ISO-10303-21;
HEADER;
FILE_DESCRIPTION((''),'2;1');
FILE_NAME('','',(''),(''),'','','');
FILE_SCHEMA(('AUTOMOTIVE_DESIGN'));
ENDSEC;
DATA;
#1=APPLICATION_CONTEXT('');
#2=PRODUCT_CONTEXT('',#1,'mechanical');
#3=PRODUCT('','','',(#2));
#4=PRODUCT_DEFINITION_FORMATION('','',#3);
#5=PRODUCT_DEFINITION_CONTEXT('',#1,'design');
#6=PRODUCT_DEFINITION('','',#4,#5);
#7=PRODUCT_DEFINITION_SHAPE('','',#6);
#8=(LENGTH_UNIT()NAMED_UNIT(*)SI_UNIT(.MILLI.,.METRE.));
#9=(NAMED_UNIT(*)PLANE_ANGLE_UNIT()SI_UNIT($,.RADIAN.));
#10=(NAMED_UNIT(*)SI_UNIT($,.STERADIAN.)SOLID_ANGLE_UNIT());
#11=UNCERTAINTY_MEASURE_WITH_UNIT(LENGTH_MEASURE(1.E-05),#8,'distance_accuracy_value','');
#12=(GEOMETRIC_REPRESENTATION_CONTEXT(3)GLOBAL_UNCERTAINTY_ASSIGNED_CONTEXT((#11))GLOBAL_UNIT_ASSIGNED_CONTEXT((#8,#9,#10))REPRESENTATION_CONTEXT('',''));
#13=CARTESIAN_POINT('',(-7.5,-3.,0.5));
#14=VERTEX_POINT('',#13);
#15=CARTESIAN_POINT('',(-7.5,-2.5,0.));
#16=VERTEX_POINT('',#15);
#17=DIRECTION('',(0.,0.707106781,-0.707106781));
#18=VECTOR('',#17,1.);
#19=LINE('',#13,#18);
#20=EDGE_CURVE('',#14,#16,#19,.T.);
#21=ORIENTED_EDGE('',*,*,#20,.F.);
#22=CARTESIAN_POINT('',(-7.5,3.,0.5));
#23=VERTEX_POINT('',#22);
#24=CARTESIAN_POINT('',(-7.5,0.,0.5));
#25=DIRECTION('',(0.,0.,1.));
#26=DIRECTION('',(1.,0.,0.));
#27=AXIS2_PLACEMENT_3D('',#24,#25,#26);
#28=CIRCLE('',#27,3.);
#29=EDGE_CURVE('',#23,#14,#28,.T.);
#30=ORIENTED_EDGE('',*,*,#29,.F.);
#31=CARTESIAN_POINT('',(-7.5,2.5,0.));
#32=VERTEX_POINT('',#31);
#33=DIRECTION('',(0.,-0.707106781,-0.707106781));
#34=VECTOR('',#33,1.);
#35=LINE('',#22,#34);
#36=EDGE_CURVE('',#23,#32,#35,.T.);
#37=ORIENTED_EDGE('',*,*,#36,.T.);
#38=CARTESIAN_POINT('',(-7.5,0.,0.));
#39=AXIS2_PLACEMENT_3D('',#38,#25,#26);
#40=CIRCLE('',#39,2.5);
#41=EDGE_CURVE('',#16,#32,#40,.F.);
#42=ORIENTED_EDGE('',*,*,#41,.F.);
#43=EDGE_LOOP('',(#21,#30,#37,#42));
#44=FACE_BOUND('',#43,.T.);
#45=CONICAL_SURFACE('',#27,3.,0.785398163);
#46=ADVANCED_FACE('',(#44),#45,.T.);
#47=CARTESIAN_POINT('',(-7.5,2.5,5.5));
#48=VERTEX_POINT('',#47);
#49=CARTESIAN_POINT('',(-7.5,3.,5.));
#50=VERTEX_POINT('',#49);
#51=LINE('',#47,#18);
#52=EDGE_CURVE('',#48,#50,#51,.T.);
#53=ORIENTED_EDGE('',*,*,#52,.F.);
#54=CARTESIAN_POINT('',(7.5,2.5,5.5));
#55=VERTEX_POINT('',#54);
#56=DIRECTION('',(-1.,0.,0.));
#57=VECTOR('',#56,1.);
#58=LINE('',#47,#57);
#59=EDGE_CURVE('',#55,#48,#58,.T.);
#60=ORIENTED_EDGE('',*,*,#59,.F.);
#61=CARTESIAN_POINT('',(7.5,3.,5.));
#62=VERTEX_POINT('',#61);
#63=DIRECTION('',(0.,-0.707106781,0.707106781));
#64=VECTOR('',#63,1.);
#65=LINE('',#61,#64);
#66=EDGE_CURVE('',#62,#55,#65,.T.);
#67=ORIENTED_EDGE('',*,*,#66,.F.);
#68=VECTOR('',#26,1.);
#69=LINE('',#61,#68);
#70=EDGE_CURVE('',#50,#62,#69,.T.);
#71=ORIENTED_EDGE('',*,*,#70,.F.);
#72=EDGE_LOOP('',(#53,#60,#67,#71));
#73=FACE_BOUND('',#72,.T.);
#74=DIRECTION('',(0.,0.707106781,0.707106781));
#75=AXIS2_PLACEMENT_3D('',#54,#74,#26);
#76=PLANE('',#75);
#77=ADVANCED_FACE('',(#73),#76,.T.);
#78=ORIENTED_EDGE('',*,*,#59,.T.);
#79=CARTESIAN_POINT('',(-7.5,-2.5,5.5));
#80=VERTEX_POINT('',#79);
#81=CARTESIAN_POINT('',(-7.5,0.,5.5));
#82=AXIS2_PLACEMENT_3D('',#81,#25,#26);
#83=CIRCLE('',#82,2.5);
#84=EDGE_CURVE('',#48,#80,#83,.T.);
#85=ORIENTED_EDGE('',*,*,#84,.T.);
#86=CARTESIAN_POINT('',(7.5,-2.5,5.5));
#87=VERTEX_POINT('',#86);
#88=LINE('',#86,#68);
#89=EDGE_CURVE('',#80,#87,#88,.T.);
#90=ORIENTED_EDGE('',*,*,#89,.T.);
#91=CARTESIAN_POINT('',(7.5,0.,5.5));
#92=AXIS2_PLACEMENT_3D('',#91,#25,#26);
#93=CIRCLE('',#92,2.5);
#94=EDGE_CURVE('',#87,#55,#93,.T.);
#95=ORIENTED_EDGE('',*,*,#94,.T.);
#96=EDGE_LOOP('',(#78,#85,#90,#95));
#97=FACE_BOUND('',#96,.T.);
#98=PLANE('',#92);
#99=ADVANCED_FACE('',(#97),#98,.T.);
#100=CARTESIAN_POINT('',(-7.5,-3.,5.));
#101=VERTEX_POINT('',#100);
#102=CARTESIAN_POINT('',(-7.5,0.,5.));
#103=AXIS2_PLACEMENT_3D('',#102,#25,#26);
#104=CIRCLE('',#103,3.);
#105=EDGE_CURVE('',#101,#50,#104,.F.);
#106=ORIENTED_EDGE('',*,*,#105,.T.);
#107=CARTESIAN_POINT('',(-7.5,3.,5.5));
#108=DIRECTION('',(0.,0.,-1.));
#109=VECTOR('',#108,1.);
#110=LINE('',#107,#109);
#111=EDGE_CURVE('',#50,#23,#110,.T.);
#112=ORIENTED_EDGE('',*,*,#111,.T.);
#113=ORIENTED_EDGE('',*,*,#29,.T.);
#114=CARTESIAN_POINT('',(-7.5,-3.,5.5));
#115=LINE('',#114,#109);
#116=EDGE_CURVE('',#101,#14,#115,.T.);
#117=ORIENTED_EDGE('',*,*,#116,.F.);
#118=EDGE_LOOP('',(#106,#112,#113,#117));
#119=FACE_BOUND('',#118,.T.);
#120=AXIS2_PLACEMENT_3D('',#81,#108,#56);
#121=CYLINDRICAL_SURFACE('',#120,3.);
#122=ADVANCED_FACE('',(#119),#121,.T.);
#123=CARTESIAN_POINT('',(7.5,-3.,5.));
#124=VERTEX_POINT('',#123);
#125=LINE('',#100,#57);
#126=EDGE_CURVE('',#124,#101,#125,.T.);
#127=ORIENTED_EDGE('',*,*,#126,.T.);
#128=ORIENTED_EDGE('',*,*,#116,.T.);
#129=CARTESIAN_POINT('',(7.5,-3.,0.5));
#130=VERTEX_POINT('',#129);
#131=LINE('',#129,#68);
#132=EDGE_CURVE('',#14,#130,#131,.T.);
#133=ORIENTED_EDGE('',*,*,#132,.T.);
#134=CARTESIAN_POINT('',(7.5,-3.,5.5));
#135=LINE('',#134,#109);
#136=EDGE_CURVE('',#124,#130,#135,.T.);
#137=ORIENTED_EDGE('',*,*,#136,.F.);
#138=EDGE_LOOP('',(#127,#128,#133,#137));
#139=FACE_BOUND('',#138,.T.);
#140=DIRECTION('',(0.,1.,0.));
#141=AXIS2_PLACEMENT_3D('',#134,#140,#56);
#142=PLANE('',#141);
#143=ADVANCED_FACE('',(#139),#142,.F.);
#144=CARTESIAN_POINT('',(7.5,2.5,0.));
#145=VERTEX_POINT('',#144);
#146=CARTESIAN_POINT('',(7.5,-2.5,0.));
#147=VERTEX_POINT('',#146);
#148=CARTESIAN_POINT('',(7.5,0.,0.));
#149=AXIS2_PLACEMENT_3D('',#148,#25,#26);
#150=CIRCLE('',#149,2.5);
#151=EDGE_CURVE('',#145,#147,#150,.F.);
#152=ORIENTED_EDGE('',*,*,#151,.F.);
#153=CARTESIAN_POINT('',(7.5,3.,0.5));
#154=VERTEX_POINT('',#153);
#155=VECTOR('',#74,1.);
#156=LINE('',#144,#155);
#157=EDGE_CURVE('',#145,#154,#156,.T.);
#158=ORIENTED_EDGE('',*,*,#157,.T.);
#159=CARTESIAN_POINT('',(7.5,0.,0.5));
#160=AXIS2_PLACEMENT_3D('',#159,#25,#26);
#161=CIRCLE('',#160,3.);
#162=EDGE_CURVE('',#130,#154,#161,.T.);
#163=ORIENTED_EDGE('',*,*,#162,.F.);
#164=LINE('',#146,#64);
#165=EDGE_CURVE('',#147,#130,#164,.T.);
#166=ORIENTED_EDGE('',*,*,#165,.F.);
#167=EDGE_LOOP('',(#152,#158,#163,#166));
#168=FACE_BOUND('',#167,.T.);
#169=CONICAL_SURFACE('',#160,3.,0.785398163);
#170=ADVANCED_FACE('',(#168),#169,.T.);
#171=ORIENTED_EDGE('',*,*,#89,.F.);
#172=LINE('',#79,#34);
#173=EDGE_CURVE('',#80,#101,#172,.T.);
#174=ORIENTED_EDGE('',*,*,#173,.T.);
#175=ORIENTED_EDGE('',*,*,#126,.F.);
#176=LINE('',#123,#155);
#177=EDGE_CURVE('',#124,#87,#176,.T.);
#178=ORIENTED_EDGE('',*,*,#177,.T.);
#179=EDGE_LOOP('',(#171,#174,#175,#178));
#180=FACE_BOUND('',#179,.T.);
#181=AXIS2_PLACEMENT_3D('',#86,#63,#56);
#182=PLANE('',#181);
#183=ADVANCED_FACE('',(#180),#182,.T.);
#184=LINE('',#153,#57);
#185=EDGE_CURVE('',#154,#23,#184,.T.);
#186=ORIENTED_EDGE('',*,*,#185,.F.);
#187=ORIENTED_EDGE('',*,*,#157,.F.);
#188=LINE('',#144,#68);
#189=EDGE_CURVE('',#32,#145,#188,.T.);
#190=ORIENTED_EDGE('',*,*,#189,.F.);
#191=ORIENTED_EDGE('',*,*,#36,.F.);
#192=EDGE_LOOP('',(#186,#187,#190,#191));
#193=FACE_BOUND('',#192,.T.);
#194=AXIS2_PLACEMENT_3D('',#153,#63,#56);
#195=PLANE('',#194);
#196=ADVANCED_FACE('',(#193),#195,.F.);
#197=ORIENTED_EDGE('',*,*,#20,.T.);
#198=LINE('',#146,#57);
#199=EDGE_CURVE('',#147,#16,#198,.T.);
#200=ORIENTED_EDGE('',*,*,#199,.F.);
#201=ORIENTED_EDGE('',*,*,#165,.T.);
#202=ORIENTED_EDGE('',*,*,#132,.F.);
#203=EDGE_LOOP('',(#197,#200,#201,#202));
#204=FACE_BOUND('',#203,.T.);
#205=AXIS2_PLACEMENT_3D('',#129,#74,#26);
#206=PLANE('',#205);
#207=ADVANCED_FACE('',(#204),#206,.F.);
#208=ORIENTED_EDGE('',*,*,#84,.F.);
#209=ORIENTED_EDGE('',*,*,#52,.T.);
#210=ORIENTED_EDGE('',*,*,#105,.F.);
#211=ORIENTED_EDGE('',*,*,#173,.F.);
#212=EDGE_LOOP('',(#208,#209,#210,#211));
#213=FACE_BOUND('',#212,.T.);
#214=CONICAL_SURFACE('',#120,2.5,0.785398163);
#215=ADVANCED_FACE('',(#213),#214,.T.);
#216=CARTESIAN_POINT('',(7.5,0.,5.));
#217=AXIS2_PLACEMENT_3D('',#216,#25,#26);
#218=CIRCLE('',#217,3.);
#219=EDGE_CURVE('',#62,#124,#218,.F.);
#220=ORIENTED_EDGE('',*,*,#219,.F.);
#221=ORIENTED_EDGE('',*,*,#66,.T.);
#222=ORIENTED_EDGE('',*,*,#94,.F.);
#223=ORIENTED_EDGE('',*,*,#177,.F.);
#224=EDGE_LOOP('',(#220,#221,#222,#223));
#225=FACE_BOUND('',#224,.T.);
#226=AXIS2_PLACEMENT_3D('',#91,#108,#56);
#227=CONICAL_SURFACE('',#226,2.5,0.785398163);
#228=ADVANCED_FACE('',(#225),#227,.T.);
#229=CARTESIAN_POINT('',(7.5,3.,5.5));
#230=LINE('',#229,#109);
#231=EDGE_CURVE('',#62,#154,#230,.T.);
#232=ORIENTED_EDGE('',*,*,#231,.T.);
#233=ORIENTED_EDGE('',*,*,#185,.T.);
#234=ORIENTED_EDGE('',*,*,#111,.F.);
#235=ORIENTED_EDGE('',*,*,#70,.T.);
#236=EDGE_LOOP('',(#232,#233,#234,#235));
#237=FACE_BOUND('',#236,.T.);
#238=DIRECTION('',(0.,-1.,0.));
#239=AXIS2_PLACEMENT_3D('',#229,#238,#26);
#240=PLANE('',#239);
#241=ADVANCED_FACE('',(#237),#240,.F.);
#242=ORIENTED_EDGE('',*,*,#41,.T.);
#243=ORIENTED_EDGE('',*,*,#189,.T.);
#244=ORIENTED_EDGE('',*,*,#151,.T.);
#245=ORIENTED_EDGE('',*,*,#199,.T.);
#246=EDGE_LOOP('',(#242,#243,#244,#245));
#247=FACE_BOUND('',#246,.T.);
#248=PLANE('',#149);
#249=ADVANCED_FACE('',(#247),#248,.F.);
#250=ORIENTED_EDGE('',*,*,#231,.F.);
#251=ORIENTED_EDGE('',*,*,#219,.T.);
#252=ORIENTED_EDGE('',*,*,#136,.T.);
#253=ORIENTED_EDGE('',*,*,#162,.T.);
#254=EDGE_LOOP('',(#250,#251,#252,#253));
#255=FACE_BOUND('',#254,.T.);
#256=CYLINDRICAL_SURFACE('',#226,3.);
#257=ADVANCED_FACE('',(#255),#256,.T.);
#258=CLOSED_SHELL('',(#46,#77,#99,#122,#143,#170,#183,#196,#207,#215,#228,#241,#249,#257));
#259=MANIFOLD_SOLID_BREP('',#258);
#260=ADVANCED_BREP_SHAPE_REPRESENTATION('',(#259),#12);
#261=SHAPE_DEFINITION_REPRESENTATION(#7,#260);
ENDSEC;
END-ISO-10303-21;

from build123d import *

# Parameters (mm, degrees)
BOSS_EXTRUDE1_DEPTH = 5.5
CHAMFER1_SIZE       = 0.5


with BuildPart() as part:
    # Sketch1 → Boss-Extrude1 (new body)
    with BuildSketch(Plane.XY):
        with BuildLine():
            Line((7.5, -3), (-7.5, -3))
            ThreePointArc((-7.5, -3), (-10.5, 0), (-7.5, 3))
            Line((-7.5, 3), (7.5, 3))
            ThreePointArc((7.5, 3), (10.5, 0), (7.5, -3))
        make_face()
    extrude(amount=BOSS_EXTRUDE1_DEPTH)

    # Chamfer1
    chamfer1_edges = [part.edges().sort_by_distance(p)[0] for p in [
        (-10.5, 0, 5.5),
        (0, -3, 5.5),
        (10.5, 0, 5.5),
        (0, -3, 0),
        (-10.5, 0, 0),
        (0, 3, 0),
        (10.5, 0, 0),
        (0, 3, 5.5),
    ]]
    chamfer(chamfer1_edges, length=CHAMFER1_SIZE)


solid = part.part
